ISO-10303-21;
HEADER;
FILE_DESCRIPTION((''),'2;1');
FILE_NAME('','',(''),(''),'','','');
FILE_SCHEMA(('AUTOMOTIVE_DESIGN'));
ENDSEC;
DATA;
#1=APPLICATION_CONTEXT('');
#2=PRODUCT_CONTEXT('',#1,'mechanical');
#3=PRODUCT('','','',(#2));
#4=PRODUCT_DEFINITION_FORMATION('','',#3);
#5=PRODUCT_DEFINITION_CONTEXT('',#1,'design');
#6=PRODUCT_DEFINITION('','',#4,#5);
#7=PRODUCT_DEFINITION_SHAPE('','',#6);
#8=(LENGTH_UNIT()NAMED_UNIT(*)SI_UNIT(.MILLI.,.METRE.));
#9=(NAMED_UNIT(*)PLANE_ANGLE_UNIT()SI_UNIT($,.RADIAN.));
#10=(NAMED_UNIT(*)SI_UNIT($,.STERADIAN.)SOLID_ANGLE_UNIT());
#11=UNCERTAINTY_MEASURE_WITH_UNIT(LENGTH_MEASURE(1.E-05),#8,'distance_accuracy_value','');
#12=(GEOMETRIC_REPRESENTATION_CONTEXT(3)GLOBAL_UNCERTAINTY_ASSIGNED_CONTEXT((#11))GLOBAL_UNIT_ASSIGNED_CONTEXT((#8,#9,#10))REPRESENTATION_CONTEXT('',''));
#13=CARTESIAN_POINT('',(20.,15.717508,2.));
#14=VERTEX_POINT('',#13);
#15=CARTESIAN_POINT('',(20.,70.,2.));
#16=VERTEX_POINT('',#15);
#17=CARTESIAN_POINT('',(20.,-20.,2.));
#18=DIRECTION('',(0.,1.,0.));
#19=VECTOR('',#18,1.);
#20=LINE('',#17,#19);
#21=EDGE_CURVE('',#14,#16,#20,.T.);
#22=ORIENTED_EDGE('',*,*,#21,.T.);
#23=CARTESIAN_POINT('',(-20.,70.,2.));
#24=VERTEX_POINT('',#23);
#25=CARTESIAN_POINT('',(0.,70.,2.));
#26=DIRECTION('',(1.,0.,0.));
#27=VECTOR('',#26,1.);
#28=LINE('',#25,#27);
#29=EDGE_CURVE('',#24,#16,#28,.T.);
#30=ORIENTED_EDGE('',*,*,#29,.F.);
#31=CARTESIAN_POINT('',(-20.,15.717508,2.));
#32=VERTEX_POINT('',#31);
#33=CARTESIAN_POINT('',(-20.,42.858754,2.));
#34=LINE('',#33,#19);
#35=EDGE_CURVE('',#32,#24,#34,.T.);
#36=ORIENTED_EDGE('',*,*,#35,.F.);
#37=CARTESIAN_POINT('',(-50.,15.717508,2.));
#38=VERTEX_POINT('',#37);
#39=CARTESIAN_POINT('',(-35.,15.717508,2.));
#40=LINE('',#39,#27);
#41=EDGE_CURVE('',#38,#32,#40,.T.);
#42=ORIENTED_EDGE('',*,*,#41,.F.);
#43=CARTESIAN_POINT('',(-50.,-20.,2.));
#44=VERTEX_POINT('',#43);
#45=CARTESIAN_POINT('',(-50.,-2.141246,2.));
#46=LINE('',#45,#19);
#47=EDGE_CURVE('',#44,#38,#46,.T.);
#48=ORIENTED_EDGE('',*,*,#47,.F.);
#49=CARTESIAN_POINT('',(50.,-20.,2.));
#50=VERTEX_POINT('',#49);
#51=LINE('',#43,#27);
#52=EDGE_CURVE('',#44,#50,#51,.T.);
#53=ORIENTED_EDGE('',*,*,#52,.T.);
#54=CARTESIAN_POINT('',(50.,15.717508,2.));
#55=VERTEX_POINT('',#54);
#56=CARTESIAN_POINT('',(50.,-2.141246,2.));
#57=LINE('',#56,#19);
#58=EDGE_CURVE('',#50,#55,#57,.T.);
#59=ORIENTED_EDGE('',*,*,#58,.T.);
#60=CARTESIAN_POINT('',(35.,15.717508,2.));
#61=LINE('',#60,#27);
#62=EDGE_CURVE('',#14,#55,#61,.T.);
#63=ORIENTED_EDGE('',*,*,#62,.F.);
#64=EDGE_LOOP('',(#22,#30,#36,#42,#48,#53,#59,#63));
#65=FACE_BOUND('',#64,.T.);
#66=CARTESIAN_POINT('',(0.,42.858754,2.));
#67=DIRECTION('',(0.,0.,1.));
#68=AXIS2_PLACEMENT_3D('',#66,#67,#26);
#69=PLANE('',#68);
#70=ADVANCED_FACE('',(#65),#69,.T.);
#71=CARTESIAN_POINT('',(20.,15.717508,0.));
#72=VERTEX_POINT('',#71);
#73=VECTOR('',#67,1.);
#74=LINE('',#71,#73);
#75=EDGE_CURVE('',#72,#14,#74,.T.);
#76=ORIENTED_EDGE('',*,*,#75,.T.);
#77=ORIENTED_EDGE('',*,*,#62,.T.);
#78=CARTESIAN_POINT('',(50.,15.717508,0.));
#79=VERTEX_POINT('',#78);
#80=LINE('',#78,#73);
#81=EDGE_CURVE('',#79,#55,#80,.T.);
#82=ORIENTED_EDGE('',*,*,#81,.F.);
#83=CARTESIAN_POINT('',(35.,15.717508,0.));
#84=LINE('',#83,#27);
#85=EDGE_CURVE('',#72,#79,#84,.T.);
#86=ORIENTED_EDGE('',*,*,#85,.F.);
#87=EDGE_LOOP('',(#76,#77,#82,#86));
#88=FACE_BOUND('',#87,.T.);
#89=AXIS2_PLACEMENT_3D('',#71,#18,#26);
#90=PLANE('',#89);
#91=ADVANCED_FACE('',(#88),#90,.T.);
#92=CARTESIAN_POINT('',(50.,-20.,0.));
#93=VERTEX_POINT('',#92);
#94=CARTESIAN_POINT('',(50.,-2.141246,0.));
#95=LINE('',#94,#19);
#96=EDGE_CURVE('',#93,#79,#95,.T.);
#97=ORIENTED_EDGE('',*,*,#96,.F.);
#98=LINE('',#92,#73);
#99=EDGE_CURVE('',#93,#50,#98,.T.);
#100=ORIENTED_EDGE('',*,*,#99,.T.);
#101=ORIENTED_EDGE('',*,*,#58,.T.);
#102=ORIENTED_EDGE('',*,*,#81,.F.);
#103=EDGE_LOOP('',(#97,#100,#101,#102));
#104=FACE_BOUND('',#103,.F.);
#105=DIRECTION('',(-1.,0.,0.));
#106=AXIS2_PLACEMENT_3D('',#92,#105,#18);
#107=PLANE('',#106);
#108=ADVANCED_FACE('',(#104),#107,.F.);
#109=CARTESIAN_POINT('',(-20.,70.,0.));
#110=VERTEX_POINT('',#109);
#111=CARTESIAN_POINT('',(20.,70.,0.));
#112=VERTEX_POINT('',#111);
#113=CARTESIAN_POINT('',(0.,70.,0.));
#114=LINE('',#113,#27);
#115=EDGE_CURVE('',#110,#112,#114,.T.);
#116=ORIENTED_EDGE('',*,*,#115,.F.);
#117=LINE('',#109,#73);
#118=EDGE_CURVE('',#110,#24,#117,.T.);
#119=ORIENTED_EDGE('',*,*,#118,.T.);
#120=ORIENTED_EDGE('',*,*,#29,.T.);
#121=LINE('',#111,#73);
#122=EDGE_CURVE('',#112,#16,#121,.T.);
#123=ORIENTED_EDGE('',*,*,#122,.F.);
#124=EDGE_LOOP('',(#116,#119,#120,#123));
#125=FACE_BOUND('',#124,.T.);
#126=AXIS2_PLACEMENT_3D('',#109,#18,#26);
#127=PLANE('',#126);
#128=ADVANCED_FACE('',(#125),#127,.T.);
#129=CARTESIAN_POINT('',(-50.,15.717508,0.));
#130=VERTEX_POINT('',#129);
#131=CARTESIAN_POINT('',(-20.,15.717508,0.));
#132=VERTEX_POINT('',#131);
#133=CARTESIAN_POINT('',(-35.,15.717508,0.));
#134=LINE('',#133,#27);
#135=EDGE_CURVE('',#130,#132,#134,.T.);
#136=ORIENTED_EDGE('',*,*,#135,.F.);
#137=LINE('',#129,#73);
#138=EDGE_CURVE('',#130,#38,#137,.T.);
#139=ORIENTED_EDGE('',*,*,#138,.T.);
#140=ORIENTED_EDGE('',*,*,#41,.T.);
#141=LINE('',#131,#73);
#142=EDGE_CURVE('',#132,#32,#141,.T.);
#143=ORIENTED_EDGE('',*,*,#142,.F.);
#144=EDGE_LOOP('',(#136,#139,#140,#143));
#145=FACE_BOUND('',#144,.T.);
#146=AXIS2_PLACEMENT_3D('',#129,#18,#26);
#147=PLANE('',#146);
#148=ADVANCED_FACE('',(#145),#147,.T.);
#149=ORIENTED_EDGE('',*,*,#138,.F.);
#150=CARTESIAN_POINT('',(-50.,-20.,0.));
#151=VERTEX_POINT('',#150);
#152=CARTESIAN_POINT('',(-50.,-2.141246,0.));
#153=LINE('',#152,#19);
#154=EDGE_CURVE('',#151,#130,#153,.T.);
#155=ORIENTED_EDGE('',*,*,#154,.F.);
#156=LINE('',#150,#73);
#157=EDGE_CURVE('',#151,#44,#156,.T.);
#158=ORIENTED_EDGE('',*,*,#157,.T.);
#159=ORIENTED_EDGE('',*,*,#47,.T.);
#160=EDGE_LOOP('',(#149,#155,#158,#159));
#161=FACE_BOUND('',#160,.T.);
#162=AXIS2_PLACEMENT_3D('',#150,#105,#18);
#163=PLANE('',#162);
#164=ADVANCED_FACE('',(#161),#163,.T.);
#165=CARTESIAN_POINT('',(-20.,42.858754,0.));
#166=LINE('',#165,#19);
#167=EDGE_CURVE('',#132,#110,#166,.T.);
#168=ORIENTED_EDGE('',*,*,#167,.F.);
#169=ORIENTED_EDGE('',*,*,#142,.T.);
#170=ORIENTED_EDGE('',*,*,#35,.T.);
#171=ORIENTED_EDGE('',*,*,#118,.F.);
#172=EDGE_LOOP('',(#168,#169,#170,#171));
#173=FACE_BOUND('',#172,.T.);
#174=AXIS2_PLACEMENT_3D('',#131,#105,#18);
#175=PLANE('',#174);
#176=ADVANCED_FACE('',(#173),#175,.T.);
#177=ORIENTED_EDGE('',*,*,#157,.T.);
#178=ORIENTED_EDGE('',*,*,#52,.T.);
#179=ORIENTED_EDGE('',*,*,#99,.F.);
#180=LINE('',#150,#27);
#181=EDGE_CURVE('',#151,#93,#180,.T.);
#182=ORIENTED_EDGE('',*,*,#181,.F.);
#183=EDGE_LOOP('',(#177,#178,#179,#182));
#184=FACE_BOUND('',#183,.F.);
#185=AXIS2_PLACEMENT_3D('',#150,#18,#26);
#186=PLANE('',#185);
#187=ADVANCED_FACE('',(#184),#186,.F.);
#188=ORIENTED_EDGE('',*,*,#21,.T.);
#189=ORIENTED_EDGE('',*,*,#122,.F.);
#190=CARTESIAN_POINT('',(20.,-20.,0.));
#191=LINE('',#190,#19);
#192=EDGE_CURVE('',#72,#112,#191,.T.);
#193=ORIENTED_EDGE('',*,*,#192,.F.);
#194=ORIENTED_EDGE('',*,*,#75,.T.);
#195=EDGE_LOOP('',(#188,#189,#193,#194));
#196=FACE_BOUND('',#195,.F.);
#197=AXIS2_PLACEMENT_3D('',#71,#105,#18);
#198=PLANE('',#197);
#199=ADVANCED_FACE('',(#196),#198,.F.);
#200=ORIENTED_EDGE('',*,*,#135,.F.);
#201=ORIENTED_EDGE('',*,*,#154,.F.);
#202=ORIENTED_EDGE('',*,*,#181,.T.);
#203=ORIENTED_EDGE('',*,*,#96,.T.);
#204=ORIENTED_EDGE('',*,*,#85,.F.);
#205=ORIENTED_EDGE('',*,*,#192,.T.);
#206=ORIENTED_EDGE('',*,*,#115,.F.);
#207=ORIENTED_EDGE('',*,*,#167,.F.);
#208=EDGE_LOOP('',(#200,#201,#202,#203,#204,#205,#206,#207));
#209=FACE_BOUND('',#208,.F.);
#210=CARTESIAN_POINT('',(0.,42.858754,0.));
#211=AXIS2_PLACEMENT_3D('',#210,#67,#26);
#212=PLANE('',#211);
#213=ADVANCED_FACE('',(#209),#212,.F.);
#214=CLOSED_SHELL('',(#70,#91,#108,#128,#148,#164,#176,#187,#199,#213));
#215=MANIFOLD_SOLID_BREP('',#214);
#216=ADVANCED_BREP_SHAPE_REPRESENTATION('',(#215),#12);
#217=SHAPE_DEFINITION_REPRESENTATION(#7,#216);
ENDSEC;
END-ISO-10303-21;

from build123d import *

# Parameters (mm, degrees)
F0_W     = 40
F0_H     = 54.282492
F0_W_2   = 30
F0_H_2   = 35.717508
F1_DEPTH = 2


with BuildPart() as f1:
    # F0 (on Top) → F1 (new body)
    with BuildSketch(Plane.XY):
        with Locations((0, 42.858754)):
            Rectangle(F0_W, F0_H)
        with Locations((-35, -2.141246)):
            Rectangle(F0_W_2, F0_H_2)
        with Locations((0, -2.141246)):
            Rectangle(F0_W, F0_H_2)
        with Locations((35, -2.141246)):
            Rectangle(F0_W_2, F0_H_2)
    extrude(amount=F1_DEPTH)


solid = f1.part
